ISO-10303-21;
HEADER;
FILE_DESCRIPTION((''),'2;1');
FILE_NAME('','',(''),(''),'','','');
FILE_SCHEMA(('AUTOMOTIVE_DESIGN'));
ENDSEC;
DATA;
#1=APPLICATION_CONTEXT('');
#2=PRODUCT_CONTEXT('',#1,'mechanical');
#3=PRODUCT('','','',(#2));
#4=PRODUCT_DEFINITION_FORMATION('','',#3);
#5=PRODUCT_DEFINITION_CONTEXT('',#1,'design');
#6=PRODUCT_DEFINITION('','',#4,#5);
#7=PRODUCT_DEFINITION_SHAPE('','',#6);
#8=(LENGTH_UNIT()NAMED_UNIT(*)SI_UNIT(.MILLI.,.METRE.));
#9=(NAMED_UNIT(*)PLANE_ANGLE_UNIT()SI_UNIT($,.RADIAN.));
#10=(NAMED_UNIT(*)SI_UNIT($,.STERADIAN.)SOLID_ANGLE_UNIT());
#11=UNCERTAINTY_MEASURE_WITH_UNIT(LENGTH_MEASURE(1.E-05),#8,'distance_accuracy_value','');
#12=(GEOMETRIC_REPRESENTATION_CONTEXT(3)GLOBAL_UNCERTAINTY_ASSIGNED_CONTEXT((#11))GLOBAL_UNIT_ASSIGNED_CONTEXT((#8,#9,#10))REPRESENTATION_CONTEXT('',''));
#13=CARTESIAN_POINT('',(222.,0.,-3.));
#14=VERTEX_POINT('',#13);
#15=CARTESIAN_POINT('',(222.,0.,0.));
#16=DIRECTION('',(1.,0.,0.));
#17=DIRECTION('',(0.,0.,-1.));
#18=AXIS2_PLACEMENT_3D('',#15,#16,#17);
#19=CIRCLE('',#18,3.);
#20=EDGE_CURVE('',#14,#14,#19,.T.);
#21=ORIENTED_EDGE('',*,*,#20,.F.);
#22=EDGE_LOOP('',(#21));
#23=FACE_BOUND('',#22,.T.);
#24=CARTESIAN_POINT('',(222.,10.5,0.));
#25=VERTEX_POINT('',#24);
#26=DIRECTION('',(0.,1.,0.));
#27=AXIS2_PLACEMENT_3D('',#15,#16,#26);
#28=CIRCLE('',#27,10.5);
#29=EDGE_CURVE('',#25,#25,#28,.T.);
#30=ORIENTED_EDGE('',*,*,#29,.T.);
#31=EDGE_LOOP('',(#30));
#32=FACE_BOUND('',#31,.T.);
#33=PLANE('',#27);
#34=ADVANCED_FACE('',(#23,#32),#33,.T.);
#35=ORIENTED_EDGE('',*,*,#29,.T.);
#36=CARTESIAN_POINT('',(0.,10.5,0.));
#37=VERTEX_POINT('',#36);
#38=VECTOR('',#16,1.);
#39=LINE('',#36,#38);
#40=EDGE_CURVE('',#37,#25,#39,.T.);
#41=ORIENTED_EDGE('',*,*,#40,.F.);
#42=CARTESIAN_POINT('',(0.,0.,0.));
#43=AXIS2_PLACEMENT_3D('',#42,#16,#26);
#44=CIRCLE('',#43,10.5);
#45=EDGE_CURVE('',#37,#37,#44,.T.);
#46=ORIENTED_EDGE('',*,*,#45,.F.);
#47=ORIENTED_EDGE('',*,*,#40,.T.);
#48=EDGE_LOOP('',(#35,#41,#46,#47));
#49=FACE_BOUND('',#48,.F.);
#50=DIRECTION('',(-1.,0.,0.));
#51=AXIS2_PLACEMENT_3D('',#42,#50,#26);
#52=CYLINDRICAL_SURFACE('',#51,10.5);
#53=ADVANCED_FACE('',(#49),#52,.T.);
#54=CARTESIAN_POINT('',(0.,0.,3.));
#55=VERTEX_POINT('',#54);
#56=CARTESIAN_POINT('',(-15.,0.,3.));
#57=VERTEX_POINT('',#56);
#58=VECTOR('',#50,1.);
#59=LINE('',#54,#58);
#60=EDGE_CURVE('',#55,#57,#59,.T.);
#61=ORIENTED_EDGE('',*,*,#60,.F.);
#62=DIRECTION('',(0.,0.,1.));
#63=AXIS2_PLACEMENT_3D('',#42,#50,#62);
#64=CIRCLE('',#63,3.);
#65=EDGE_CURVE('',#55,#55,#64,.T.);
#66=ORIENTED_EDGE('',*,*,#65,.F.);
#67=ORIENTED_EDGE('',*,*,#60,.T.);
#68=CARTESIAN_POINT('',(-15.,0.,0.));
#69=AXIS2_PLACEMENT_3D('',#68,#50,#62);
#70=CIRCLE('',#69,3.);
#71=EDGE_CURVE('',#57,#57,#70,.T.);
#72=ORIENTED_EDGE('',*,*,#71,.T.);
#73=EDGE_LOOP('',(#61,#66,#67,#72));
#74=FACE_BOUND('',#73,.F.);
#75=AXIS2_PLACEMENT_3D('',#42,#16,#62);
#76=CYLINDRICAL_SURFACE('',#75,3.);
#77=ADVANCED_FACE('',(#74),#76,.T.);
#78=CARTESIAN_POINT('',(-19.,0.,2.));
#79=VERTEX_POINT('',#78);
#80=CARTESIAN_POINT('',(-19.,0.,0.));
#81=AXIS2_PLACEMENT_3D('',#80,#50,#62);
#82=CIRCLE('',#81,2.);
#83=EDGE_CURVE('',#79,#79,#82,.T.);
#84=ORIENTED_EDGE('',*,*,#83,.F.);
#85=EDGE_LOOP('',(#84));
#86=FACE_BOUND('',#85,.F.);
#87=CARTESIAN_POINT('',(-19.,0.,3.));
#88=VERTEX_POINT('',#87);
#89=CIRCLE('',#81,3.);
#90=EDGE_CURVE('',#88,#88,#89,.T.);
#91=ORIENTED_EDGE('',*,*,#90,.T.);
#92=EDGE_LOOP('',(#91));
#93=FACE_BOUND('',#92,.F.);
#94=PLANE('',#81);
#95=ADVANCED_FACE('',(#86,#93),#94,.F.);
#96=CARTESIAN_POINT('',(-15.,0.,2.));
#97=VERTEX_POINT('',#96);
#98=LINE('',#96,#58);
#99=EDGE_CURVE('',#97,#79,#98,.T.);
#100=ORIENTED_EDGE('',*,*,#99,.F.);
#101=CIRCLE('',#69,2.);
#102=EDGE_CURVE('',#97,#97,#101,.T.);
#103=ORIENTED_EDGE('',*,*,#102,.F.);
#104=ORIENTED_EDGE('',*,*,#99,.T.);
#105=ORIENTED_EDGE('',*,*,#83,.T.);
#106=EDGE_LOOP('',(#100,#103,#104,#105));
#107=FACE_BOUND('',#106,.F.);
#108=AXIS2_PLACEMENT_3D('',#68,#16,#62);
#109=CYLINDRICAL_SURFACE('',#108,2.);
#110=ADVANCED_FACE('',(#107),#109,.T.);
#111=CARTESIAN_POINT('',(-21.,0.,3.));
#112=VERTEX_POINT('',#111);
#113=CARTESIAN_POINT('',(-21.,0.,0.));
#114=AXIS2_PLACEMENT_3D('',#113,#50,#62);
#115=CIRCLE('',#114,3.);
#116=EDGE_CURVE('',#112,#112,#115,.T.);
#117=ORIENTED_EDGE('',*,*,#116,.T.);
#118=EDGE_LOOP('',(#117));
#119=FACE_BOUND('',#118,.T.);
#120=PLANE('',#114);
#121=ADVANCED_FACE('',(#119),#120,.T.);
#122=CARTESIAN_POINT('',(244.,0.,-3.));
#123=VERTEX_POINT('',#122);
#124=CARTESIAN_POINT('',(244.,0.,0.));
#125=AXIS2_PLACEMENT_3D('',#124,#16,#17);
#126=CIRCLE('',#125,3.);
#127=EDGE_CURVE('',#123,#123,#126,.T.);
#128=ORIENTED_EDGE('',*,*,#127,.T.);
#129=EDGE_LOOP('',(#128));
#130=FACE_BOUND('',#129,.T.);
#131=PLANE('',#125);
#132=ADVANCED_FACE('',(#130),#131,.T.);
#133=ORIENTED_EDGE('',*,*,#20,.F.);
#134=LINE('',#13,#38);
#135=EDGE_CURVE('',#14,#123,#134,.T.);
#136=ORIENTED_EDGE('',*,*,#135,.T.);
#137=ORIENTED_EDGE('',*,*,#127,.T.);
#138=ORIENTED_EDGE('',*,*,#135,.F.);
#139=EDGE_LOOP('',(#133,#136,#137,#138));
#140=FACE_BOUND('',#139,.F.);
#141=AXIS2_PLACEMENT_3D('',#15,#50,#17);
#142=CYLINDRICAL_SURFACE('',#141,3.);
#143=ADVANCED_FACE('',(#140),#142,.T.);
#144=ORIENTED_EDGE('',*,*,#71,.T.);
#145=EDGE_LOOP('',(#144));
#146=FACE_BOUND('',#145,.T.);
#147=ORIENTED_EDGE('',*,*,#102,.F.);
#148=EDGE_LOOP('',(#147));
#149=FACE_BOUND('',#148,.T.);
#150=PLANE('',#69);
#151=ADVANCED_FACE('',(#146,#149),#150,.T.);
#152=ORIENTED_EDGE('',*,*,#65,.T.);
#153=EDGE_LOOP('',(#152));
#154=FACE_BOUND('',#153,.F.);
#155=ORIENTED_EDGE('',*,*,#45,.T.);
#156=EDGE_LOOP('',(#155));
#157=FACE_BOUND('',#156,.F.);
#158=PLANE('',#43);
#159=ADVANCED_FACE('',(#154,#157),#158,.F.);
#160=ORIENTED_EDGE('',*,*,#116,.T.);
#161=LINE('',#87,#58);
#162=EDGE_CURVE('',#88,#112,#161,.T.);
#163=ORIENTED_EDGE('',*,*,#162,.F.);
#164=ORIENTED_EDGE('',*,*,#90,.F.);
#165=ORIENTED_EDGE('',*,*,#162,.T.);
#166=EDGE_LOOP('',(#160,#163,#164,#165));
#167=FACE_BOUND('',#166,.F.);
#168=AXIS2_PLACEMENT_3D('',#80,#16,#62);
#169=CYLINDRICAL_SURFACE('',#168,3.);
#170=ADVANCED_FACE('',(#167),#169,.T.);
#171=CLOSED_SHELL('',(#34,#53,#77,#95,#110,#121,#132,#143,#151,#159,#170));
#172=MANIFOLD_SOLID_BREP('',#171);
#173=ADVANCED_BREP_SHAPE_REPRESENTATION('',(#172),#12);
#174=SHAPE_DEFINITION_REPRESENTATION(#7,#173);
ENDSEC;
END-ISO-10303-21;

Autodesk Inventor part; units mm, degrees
ref_plane "YZ Plane" through (0, 0, 0) normal (1, 0, 0) x (0, 1, 0)
ref_plane "XZ Plane" through (0, 0, 0) normal (0, 1, 0) x (-1, 0, 0)
ref_plane "XY Plane" through (0, 0, 0) normal (0, 0, 1) x (1, 0, 0)
sketch "Sketch1" plane through (0, 0, 0) normal (1, 0, 0) x (0, 1, 0)
  circle A0 centre (0, 0) radius 10.5
  dimension "d0" = 21
extrude "Extrusion1" add sketch "Sketch1" along normal blind 222
sketch "Sketch2" plane through (222, 0, 0) normal (1, 0, 0) x (0, 0, -1)
  circle A0 centre (0, 0) radius 3
  dimension "d3" = 6
extrude "Extrusion2" add sketch "Sketch2" along normal blind 22
sketch "Sketch3" plane through (0, 0, 0) normal (-1, 0, 0) x (0, 0, 1)
  circle A0 centre (0, 0) radius 3
  dimension "d6" = 6
extrude "Extrusion3" add sketch "Sketch3" along normal blind 15
sketch "Sketch4" plane through (-15, 0, 0) normal (-1, 0, 0) x (0, 0, 1)
  circle A0 centre (0, 0) radius 2
  dimension "d9" = 4
extrude "Extrusion4" add sketch "Sketch4" along normal blind 4
sketch "Sketch5" plane through (-19, 0, 0) normal (-1, 0, 0) x (0, 0, 1)
  circle A0 centre (0, 0) radius 3
  dimension "d12" = 6
extrude "Extrusion5" add sketch "Sketch5" along normal blind 2
properties part number "RouleauIdler"
